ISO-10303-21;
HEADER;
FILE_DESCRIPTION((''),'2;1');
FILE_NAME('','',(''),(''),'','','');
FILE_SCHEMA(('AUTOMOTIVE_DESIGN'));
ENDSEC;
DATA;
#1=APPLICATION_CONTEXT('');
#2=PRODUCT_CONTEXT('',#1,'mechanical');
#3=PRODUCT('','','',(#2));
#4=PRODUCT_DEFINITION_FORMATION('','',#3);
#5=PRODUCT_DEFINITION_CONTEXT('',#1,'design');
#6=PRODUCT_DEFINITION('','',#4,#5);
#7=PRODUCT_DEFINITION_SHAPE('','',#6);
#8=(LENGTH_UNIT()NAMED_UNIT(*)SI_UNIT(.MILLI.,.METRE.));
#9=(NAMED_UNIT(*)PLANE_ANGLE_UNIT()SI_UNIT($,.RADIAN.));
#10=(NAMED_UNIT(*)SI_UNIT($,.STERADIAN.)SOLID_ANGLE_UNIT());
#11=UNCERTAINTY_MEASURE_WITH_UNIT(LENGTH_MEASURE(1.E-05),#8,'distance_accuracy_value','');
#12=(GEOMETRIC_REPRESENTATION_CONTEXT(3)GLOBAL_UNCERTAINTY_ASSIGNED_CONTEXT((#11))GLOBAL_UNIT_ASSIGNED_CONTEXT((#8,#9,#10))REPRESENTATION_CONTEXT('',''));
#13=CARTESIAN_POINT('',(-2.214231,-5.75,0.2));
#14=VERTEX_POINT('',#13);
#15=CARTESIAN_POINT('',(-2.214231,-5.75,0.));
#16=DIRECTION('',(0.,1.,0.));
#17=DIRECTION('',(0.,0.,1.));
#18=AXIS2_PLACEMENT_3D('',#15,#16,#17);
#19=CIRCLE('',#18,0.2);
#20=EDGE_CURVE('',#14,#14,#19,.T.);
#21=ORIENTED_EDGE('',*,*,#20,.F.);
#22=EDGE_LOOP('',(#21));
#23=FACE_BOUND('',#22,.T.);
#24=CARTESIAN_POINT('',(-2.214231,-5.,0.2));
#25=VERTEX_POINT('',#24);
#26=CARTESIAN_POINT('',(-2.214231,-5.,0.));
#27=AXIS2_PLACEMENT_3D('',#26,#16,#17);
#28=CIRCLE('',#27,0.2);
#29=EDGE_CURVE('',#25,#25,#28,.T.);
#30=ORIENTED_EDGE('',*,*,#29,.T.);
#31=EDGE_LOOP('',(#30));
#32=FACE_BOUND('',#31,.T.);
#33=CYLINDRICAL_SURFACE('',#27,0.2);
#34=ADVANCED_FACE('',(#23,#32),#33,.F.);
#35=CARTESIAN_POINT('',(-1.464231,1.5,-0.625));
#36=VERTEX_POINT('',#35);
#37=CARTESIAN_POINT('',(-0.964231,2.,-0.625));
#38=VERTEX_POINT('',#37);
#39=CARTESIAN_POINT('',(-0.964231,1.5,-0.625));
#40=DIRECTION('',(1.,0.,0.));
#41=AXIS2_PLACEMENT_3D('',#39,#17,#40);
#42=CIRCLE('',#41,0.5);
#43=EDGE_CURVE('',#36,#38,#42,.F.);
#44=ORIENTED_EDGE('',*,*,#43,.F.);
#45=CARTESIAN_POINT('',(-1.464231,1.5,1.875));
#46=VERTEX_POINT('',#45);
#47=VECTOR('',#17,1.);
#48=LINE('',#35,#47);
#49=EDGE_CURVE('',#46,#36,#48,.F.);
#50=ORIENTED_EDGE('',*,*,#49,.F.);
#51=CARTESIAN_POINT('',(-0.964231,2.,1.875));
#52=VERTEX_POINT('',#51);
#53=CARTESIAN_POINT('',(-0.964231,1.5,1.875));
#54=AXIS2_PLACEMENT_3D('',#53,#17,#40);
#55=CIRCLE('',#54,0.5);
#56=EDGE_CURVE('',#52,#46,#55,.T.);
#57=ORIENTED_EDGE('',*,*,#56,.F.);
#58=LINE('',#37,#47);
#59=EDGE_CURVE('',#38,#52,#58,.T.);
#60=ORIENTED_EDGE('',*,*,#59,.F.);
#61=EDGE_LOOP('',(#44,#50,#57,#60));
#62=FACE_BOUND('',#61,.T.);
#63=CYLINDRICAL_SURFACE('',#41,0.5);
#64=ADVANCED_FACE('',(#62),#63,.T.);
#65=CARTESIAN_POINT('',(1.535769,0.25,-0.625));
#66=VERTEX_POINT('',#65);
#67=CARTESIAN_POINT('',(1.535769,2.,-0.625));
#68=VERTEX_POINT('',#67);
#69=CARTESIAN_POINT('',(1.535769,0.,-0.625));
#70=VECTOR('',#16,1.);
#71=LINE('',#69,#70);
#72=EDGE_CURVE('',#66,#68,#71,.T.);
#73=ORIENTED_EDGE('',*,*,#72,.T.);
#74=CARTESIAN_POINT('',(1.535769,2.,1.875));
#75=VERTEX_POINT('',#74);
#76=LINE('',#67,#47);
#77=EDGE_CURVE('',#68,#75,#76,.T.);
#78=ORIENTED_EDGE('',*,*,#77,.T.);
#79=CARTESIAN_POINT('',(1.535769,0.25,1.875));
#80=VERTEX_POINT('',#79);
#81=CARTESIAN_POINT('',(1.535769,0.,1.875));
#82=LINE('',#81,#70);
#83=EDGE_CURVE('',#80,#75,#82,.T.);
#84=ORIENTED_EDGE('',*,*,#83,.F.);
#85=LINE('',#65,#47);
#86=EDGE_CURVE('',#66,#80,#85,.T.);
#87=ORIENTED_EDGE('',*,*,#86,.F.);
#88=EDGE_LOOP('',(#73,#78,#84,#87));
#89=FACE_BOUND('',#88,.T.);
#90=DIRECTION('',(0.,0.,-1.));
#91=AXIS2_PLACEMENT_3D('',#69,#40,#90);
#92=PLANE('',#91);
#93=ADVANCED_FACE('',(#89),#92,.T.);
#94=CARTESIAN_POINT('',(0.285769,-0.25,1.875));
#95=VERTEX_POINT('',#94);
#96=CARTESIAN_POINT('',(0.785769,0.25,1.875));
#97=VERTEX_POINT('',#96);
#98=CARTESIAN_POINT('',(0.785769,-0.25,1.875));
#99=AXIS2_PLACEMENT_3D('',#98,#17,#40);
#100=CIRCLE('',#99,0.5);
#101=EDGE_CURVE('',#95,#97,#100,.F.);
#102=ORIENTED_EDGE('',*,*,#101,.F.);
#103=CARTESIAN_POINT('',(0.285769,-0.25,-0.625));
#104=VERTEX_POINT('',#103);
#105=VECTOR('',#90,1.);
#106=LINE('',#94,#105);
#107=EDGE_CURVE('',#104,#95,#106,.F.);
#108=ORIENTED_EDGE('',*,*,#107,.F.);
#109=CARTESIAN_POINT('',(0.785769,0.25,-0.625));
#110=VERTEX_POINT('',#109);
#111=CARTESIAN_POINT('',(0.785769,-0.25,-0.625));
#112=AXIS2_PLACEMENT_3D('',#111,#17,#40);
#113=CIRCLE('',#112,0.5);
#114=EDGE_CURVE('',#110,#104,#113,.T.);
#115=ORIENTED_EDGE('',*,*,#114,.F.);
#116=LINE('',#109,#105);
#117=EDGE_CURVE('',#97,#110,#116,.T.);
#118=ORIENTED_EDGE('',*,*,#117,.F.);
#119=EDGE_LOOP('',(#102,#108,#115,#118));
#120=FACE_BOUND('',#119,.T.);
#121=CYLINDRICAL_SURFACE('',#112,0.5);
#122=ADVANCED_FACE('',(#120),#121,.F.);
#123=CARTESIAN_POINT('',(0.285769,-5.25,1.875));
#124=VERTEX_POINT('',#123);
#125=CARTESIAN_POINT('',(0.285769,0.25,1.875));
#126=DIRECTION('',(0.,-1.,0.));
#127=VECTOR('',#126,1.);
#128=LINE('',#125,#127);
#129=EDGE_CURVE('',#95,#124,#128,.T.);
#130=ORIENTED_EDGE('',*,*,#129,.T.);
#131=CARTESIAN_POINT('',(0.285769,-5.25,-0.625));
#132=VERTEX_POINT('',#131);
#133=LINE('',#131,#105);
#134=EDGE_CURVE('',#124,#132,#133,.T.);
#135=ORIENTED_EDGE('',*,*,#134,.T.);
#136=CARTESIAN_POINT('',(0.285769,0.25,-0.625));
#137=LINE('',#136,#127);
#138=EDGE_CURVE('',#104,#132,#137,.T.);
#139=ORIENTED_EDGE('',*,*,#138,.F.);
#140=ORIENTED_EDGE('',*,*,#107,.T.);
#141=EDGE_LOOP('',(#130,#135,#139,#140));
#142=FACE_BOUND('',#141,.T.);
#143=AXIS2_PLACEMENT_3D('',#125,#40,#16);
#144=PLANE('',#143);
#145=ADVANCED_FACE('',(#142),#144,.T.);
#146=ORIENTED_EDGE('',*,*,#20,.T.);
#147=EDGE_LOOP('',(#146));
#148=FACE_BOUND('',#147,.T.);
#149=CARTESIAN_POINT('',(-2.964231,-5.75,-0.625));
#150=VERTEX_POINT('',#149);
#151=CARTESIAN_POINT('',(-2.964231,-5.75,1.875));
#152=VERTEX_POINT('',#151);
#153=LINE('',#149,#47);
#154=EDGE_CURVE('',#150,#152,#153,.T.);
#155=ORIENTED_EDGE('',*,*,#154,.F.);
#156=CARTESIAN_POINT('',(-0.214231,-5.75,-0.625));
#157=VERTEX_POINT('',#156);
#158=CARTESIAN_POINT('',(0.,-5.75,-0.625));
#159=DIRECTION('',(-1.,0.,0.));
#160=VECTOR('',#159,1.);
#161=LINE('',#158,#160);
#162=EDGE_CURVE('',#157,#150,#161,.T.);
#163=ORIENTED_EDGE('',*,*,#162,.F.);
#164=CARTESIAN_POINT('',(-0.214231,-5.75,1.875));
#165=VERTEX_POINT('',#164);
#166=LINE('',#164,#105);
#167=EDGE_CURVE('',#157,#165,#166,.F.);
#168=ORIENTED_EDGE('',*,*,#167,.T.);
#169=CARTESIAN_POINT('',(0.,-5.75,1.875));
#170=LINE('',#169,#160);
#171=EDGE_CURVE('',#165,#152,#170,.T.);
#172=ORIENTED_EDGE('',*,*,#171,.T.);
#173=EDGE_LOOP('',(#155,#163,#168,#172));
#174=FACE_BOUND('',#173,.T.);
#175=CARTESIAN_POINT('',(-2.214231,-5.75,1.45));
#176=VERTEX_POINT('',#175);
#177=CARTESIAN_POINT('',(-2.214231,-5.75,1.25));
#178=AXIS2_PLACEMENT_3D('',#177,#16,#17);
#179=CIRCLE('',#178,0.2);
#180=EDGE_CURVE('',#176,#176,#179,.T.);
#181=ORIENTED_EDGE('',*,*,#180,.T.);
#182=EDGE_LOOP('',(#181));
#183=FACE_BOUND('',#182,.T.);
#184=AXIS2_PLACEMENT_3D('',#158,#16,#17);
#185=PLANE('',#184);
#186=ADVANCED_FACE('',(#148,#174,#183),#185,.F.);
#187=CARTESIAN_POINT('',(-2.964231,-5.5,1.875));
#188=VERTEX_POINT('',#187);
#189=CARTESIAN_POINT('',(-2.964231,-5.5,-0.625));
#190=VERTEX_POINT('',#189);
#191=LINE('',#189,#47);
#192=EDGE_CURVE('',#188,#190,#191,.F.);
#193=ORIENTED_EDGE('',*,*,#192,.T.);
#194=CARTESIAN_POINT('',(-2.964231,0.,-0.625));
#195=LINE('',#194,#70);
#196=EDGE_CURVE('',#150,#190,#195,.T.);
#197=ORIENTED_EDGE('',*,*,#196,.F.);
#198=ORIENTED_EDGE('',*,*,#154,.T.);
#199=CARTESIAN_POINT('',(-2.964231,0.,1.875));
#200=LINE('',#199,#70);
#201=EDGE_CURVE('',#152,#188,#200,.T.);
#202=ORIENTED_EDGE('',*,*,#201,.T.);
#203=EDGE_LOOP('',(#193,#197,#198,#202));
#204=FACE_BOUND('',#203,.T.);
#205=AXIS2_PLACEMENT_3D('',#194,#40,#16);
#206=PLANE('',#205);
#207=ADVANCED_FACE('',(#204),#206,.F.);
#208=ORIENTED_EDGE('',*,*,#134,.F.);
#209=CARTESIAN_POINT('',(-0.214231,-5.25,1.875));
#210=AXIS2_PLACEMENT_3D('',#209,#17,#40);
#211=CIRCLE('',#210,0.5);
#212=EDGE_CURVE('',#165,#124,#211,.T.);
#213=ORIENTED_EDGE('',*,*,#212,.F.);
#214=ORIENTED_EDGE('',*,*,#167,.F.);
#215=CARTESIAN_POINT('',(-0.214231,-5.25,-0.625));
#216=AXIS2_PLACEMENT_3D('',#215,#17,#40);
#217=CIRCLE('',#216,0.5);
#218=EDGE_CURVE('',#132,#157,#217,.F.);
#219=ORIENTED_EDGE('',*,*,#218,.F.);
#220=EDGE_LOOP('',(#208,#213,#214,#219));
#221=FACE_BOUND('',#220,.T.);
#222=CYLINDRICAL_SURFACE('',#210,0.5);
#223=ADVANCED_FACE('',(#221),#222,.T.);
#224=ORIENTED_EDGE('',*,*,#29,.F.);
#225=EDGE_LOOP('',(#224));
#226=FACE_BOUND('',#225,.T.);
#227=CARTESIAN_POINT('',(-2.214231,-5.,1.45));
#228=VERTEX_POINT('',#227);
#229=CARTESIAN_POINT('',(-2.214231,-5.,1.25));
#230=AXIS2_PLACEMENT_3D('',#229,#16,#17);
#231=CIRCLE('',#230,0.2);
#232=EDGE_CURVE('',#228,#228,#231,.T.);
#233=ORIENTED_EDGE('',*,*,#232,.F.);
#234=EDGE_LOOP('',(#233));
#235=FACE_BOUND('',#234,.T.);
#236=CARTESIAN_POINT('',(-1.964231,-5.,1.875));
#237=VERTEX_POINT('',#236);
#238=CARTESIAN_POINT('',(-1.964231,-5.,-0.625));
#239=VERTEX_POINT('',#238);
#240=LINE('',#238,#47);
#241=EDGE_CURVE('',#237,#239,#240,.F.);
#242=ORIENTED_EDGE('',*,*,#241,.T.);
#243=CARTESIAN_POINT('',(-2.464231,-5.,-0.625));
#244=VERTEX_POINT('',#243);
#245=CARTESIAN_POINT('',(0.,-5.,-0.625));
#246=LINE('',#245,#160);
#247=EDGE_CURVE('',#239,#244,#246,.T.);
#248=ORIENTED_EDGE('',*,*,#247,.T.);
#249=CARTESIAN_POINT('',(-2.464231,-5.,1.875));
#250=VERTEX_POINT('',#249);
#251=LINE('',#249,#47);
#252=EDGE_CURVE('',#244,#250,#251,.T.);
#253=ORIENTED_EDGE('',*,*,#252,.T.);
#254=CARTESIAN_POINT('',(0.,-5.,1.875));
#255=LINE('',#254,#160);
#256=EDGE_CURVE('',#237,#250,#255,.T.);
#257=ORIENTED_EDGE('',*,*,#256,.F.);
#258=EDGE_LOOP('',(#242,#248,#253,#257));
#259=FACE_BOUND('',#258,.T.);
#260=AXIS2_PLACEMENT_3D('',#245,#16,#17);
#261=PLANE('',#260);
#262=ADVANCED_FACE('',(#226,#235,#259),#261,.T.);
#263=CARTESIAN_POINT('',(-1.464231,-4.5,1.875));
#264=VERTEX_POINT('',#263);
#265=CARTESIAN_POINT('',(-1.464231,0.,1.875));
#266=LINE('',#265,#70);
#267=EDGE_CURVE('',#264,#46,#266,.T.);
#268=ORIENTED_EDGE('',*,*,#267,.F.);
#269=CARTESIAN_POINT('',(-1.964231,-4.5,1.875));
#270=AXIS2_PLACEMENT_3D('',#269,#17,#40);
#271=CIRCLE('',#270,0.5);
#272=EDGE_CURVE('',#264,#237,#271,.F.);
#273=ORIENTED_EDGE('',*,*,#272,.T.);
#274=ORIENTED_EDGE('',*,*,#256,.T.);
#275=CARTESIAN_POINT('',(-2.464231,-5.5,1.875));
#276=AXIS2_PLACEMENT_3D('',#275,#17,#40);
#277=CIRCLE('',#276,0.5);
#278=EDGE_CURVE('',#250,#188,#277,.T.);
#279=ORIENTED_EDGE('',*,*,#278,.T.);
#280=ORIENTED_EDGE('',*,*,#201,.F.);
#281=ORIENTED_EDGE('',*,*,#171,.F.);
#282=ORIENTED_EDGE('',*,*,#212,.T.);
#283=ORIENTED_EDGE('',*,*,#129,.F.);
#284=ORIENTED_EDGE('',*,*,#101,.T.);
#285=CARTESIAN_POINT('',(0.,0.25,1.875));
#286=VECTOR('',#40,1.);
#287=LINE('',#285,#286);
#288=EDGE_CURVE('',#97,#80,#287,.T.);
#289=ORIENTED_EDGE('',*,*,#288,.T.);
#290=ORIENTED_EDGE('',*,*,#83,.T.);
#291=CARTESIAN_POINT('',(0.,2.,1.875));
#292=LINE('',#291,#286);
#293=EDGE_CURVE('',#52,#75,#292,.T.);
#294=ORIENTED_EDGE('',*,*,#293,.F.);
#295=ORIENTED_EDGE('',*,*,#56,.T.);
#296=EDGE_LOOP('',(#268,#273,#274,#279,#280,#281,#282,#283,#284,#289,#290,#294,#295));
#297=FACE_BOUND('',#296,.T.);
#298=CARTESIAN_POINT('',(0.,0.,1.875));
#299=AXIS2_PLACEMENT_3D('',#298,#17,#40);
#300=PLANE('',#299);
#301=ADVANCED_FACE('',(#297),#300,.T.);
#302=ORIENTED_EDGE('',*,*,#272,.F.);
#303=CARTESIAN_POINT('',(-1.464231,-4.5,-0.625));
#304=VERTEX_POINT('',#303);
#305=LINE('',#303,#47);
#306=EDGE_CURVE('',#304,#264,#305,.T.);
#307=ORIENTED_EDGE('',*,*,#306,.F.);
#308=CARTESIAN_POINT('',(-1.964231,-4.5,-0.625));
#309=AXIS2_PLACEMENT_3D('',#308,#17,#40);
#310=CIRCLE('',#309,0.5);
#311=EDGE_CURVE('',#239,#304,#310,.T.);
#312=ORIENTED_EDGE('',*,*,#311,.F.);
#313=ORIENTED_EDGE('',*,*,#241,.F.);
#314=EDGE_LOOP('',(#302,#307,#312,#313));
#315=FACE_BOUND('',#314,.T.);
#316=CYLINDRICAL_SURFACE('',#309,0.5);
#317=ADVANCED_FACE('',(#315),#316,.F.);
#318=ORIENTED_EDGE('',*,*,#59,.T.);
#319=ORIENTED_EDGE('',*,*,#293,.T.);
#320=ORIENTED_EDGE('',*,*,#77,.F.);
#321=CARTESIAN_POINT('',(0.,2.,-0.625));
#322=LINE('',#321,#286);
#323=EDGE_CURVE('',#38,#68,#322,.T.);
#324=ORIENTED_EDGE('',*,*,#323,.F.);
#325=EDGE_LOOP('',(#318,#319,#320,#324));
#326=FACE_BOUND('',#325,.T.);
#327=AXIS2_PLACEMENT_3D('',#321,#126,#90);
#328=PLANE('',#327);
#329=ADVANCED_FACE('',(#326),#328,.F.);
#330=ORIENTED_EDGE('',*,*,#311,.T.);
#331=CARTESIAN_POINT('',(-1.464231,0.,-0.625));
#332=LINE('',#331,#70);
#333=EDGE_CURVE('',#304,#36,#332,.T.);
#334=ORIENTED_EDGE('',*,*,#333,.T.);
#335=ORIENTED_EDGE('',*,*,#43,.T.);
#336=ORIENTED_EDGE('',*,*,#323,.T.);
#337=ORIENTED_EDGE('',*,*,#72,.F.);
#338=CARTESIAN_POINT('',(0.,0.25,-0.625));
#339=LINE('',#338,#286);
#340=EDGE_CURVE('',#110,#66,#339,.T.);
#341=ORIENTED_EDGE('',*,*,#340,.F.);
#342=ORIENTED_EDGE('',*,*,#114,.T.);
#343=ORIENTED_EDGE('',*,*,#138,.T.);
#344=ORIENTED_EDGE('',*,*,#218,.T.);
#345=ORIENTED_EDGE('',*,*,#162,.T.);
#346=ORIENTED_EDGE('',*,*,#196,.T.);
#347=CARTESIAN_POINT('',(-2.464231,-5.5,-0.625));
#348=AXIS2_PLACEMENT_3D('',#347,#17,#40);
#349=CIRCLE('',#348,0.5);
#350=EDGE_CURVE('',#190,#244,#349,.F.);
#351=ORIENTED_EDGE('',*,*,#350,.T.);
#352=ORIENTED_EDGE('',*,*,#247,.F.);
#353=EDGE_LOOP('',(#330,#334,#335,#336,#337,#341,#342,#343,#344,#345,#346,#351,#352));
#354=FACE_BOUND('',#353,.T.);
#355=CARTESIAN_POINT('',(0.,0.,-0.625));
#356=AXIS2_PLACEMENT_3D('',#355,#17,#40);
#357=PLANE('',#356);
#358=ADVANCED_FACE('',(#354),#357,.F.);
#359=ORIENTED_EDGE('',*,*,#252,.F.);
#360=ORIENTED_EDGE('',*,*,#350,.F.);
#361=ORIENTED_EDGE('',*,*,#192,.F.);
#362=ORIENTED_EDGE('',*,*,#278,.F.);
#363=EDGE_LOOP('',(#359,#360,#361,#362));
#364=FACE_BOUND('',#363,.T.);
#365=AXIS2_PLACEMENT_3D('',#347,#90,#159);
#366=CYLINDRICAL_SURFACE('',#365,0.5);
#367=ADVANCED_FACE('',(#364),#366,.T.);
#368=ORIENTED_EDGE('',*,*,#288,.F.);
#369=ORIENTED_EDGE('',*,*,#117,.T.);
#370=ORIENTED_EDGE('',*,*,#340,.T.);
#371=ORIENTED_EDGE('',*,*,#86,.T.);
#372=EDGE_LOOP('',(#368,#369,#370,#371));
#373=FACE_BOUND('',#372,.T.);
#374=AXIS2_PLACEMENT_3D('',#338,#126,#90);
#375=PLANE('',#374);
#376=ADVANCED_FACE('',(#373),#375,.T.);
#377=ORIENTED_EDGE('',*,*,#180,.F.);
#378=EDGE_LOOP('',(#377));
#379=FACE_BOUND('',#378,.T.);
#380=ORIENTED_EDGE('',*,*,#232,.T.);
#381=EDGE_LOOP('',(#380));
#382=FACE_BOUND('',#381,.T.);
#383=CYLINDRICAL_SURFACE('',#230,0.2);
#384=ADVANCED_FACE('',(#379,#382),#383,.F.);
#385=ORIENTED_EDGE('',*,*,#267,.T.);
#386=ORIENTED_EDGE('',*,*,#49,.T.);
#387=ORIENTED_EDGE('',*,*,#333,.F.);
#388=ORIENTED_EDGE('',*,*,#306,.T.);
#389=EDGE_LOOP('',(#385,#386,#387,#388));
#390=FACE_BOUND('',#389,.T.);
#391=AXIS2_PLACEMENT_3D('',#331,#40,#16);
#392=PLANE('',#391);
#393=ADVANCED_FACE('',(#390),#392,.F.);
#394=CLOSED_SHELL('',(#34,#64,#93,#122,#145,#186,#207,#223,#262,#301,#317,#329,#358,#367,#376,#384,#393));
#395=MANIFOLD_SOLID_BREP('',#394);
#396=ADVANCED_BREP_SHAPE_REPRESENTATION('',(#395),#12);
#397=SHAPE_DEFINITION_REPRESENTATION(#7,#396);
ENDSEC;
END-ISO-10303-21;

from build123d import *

# Parameters (mm, degrees)
SKETCH1_W                  = 1.5
SKETCH1_H                  = 0.75
BOSS_EXTRUDE1_DEPTH        = 1.875
BOSS_EXTRUDE1_DEPTH_BACK   = 0.625
FILLET1_R                  = 0.5
F_0_4_0_4_DIAMETER_HOLE1_D = 0.4


with BuildPart() as part:
    # Sketch1 → Boss-Extrude1 (new body, two sides)
    with BuildSketch(Plane.XY) as boss_extrude1_sk:
        Polygon((0.285769435, 0.25), (-1.464230565, 0.25), (-1.464230565, -5), (-1.464230565, -5.75), (0.285769435, -5.75), align=None)
        Polygon((-1.464230565, 2), (-1.464230565, 0.25), (0.285769435, 0.25), (1.535769435, 0.25), (1.535769435, 2), align=None)
        with Locations((-2.214230565, -5.375)):
            Rectangle(SKETCH1_W, SKETCH1_H)
    extrude(amount=BOSS_EXTRUDE1_DEPTH)
    extrude(boss_extrude1_sk.sketch, amount=-BOSS_EXTRUDE1_DEPTH_BACK)

    # Fillet1
    fillet1_edges = [part.edges().sort_by_distance(p)[0] for p in [
        (0.285769435, 0.25, 0.625),
        (-2.964230565, -5, 0.625),
        (-1.464230565, -5, 0.625),
        (0.285769435, -5.75, 0.625),
        (-1.464230565, 2, 0.625),
    ]]
    fillet(fillet1_edges, radius=FILLET1_R)

    # Ø0.4 (0.4) Diameter Hole1 (through all)
    with Locations(Plane(origin=(0, -5, 0), x_dir=(1, 0, 0), z_dir=(0, 1, 0))):
        with Locations((-2.214230565, 0), (-2.214230565, -1.25)):
            Hole(F_0_4_0_4_DIAMETER_HOLE1_D / 2)


solid = part.part
